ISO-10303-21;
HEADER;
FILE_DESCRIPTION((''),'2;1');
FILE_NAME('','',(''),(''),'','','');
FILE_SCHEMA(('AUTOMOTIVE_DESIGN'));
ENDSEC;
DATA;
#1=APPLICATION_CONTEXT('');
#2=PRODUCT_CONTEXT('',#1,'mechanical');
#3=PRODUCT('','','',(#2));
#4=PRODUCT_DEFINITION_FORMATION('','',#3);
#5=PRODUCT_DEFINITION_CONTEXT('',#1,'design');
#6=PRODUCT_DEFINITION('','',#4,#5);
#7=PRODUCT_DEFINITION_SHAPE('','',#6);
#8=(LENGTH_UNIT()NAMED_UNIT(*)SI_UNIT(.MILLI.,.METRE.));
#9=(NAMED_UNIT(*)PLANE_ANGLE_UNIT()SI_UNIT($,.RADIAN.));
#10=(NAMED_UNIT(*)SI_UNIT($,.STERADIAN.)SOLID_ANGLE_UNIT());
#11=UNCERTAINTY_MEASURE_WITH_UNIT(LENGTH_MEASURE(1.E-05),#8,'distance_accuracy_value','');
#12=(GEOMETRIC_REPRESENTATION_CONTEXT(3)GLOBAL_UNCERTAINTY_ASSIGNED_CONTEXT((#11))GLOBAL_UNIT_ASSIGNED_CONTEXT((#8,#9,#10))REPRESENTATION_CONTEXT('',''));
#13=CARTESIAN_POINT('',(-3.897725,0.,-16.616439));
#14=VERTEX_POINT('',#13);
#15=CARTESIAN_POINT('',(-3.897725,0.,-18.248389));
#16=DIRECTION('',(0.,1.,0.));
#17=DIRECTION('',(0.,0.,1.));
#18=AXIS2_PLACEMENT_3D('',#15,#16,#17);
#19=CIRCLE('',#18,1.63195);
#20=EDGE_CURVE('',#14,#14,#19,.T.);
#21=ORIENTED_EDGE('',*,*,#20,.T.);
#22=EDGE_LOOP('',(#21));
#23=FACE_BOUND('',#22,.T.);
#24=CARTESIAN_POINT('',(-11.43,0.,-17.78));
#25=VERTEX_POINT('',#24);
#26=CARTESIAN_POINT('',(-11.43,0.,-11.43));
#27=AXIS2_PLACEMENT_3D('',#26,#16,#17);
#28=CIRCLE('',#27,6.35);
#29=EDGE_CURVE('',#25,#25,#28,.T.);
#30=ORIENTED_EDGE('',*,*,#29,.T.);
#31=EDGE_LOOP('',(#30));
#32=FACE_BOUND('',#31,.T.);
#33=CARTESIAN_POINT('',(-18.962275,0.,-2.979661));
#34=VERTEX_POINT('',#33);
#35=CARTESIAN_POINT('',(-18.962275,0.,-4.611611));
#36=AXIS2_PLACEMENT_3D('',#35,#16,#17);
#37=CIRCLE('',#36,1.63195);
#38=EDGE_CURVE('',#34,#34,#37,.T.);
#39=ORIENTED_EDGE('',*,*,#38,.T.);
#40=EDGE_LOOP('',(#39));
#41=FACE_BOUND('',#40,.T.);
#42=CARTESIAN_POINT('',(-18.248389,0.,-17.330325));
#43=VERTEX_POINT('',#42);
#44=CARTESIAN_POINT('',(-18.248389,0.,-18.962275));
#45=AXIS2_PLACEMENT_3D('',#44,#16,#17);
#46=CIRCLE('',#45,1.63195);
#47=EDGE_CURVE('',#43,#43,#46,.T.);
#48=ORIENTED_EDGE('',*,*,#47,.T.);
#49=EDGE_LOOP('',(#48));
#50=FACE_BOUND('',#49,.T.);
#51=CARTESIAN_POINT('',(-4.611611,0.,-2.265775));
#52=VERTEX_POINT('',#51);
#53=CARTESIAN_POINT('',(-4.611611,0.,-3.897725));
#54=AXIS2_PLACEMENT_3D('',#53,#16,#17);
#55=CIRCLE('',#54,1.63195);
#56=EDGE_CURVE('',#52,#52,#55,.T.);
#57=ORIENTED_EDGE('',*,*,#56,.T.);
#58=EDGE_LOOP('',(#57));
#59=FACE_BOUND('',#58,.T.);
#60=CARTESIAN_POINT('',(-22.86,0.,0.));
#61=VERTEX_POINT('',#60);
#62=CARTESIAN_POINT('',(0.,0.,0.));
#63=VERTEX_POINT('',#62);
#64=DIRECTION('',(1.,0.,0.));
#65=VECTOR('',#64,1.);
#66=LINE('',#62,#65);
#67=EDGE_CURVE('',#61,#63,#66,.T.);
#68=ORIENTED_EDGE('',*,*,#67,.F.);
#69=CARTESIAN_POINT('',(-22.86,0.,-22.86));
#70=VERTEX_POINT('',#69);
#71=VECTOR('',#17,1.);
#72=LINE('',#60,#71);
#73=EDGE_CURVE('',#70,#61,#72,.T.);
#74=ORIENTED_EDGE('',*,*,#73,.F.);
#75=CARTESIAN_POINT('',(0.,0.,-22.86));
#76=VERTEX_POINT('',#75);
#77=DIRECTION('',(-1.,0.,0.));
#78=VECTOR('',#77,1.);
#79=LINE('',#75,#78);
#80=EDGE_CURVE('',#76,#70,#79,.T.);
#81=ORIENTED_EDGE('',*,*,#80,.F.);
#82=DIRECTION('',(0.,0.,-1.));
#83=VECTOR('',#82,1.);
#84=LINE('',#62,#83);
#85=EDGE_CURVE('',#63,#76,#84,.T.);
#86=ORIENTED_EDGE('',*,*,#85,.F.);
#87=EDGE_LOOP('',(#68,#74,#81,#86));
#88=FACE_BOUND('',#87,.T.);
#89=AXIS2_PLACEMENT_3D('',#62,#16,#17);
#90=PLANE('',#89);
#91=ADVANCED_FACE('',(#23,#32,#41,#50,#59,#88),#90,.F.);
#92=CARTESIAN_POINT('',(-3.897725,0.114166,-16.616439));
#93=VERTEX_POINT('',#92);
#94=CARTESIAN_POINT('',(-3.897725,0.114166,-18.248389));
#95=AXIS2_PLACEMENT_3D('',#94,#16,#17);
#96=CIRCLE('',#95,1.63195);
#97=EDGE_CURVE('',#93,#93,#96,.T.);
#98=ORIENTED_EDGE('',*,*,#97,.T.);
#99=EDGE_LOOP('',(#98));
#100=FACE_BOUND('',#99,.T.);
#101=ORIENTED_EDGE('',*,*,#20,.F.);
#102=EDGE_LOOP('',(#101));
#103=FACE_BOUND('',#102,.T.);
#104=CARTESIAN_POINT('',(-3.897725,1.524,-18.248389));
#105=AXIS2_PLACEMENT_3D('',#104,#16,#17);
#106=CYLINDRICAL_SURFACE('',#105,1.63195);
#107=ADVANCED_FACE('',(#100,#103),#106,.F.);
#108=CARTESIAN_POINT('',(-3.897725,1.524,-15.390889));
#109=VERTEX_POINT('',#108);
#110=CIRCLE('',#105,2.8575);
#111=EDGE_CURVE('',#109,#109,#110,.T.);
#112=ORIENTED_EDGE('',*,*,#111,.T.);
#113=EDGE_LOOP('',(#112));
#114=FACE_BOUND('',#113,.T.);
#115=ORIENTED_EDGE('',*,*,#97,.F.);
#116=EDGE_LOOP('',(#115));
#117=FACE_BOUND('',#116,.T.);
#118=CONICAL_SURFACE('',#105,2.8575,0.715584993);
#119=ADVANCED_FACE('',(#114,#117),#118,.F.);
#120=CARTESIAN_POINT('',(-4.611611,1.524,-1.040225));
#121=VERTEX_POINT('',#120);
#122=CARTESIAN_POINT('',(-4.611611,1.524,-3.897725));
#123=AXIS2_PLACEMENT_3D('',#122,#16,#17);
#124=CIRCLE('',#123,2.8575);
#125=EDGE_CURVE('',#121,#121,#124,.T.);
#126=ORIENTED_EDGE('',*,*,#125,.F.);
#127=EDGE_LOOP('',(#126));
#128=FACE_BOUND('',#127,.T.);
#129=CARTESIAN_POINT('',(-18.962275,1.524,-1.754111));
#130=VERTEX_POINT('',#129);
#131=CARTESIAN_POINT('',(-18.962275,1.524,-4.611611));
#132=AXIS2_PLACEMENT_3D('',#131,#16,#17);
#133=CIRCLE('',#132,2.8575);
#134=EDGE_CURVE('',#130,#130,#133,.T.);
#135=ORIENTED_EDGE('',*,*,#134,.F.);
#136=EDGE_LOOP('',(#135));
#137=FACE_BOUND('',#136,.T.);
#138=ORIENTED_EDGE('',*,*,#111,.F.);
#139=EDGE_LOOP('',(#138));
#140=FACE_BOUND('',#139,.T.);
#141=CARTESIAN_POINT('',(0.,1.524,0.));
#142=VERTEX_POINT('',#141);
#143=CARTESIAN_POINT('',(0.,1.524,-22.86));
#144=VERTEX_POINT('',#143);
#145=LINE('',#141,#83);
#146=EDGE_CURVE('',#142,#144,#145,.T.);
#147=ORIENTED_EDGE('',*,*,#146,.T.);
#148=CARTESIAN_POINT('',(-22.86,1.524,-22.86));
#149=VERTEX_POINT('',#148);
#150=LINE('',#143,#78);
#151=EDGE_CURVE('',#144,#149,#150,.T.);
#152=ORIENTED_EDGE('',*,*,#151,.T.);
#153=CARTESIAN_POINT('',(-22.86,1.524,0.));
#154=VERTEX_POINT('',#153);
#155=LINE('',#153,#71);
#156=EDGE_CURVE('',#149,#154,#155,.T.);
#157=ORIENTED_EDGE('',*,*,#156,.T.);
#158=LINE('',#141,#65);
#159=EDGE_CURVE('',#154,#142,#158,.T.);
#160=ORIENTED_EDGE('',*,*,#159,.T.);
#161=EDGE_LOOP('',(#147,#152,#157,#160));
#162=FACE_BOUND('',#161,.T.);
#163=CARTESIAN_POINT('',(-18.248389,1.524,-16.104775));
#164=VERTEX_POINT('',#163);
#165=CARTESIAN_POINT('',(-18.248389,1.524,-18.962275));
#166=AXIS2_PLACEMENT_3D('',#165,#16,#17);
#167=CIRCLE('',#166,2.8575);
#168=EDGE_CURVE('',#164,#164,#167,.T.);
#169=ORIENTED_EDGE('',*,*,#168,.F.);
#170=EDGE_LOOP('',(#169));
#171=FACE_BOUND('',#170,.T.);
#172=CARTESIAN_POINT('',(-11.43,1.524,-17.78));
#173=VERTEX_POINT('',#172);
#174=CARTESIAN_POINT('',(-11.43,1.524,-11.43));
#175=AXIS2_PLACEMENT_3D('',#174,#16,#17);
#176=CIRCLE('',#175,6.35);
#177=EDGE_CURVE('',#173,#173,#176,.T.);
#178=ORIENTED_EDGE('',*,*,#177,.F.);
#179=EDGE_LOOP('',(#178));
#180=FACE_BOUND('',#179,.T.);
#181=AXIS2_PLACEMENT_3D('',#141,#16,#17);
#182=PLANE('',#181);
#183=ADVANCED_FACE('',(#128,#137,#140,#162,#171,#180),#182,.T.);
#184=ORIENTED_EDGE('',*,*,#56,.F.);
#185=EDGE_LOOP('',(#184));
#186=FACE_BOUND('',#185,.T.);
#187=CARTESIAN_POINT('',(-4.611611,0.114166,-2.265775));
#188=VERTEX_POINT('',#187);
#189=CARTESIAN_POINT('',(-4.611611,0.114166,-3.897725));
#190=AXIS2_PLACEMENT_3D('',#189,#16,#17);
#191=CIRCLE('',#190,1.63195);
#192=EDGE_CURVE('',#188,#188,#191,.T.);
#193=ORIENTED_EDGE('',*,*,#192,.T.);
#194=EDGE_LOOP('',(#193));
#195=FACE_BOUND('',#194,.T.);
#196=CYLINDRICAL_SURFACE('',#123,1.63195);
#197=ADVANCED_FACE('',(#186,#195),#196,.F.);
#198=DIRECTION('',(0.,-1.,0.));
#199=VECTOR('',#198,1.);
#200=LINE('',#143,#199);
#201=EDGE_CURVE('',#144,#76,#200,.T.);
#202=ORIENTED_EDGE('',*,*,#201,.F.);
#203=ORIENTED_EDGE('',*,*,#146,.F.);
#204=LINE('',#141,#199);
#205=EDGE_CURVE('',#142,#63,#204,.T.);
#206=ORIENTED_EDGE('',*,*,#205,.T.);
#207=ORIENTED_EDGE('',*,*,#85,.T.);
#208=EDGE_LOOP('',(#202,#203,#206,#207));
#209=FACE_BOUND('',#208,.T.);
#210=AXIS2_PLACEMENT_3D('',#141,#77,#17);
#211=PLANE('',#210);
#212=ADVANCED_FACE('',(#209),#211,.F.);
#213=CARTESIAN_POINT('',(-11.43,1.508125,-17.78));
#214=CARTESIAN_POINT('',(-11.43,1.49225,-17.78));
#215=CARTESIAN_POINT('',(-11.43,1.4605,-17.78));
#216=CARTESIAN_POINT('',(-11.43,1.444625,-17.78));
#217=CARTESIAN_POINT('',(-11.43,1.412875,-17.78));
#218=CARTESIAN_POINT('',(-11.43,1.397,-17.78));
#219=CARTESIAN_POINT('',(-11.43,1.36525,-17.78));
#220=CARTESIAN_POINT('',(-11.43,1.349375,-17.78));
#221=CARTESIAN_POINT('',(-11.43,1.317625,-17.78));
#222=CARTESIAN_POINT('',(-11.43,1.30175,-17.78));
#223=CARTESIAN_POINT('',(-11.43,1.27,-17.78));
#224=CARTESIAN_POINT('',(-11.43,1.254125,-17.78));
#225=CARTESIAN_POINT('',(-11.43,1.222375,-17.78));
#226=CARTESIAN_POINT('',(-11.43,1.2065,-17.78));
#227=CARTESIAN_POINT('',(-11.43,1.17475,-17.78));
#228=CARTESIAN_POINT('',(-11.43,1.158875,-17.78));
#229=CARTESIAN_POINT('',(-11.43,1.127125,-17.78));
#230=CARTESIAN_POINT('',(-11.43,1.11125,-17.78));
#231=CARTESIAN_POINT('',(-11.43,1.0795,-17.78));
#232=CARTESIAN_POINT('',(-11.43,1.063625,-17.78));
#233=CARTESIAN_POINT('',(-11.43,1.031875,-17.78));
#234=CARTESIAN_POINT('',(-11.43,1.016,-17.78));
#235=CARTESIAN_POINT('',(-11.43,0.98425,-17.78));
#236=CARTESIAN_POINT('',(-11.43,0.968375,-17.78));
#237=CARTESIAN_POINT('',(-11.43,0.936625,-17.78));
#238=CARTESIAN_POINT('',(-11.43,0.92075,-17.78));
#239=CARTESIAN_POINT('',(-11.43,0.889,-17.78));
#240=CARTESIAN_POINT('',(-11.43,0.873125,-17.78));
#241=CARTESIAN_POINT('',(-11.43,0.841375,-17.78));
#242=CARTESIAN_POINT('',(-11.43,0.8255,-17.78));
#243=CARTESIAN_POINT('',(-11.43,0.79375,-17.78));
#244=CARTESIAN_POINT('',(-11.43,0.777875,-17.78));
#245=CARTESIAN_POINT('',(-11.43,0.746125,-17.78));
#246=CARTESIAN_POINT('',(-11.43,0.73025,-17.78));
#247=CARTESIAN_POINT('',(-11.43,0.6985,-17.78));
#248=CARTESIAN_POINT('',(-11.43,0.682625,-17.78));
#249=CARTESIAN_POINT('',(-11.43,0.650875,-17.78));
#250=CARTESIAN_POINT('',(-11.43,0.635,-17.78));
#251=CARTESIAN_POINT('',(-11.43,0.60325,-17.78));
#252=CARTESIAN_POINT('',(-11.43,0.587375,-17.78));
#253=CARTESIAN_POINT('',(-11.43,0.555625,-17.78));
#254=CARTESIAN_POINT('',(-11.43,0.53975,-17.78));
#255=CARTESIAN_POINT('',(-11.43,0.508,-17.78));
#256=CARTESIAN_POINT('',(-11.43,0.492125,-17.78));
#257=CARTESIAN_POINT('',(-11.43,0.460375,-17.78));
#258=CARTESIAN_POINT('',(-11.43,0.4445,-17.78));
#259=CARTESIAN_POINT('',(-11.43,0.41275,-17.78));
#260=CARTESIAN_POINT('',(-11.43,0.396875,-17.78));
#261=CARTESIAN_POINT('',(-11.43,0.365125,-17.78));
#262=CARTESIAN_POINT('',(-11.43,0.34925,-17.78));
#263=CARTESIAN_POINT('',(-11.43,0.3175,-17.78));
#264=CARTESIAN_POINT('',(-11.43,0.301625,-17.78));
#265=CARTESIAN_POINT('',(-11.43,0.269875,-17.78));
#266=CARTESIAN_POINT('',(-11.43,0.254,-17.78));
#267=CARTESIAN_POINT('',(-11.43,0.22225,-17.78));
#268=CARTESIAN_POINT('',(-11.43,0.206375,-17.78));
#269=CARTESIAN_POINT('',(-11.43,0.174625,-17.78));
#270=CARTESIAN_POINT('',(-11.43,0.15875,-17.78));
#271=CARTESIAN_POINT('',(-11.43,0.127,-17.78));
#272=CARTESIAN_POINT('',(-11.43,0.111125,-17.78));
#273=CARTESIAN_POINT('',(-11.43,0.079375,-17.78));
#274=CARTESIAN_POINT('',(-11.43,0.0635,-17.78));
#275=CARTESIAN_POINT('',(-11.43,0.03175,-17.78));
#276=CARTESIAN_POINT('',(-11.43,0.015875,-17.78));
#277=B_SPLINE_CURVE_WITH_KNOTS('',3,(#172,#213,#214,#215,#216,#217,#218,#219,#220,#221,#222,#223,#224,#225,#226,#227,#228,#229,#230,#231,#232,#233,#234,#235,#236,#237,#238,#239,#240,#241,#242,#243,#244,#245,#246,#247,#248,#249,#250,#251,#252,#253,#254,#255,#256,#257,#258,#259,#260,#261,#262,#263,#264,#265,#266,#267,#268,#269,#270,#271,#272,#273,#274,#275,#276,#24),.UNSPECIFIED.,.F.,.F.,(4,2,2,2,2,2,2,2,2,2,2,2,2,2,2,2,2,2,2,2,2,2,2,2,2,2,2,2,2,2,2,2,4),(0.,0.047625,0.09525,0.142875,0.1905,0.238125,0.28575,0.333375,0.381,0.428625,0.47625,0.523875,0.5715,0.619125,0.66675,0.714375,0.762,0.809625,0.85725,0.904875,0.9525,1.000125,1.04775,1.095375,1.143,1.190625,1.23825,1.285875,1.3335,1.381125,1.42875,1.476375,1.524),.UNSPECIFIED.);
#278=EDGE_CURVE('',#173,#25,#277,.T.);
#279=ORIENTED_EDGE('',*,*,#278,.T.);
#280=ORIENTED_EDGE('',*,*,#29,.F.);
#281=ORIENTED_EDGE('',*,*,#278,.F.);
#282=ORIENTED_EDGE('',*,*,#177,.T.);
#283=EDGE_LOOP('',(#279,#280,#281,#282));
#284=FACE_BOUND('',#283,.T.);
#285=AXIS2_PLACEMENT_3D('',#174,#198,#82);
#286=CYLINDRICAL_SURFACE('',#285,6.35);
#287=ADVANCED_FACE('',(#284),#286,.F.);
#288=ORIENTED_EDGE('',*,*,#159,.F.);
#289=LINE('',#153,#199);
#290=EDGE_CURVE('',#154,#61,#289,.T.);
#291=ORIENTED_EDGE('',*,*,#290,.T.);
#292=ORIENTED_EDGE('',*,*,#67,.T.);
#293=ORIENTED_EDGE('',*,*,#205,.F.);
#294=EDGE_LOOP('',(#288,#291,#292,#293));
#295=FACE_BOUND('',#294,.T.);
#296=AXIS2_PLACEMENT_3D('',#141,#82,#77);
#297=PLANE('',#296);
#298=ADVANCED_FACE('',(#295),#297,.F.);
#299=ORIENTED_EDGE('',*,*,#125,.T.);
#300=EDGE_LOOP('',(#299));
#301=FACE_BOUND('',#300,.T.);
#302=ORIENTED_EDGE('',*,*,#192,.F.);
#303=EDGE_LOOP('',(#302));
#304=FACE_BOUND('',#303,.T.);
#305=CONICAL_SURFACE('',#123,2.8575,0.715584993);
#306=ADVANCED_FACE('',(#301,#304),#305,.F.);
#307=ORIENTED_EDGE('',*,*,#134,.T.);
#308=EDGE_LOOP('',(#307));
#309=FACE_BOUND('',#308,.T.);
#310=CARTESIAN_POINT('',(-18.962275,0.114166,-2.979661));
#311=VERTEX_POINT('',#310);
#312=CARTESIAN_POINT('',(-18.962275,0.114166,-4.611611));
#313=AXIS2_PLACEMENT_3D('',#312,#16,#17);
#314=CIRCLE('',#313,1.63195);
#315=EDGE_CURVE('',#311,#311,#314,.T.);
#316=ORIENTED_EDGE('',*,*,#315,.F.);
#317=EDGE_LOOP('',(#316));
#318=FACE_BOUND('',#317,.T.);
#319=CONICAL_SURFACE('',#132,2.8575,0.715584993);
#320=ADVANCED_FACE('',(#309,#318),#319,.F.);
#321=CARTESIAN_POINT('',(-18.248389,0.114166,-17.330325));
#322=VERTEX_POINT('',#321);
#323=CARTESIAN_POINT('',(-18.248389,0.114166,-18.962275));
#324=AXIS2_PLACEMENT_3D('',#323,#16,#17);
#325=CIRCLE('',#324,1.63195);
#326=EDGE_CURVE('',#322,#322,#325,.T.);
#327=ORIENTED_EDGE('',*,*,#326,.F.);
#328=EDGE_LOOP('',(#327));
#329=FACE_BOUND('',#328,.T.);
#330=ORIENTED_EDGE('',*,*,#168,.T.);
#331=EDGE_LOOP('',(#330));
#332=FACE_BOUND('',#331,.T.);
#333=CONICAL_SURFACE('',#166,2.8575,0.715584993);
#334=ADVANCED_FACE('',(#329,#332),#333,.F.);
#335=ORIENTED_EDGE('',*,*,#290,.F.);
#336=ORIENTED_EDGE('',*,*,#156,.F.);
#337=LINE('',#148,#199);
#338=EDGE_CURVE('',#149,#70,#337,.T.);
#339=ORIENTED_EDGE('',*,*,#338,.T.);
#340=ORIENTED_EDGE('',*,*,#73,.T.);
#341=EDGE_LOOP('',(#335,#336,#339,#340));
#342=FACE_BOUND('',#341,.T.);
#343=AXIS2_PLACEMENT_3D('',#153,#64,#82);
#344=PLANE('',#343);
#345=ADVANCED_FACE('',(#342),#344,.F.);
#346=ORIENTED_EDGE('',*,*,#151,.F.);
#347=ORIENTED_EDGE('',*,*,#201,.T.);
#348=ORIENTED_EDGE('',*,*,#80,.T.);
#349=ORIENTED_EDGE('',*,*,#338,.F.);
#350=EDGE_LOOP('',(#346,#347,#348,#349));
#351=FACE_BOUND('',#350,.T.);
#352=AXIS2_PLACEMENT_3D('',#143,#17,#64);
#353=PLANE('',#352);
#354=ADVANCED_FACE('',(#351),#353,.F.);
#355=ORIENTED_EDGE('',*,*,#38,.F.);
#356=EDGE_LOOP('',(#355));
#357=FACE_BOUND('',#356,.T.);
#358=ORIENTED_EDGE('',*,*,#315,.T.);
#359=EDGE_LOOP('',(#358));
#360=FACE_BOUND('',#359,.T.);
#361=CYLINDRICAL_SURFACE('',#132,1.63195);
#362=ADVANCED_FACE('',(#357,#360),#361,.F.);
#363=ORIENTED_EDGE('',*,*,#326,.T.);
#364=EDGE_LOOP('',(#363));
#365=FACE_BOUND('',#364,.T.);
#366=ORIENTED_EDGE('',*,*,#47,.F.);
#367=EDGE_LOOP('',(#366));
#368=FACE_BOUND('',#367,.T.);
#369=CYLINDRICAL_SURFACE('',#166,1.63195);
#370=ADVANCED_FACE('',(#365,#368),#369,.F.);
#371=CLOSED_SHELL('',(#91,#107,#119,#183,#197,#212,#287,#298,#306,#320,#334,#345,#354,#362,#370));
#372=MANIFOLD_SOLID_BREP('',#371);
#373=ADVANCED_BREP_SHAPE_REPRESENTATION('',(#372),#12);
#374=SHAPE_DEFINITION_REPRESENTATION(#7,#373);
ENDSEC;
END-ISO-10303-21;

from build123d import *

# Parameters (mm, degrees)
SKETCH1_W                                     = 22.86
SKETCH1_H                                     = 22.86
SKETCH1_R                                     = 6.35
BOSS_EXTRUDE1_DEPTH                           = 1.524
CSK_FOR_4_FLAT_HEAD_MACHINE_SCREW1_AT_2_COUNT = 2
CSK_FOR_4_FLAT_HEAD_MACHINE_SCREW1_AT_2_PITCH = 14.368409794
CSK_FOR_4_FLAT_HEAD_MACHINE_SCREW1_AT_3_COUNT = 2
CSK_FOR_4_FLAT_HEAD_MACHINE_SCREW1_AT_3_PITCH = 20.32
CSK_FOR_4_FLAT_HEAD_MACHINE_SCREW1_AT_4_COUNT = 2
CSK_FOR_4_FLAT_HEAD_MACHINE_SCREW1_AT_4_PITCH = 14.368409794


with BuildPart() as part:
    # Sketch1 → Boss-Extrude1 (new body)
    with BuildSketch(Plane(origin=(0, 0, 0), x_dir=(1, 0, 0), z_dir=(0, 1, 0))):
        with Locations((-11.43, 11.43)):
            Rectangle(SKETCH1_W, SKETCH1_H)
        with Locations(Location((-11.43, 11.43, 0), (0, 0, 90))):
            Circle(SKETCH1_R, mode=Mode.SUBTRACT)
    extrude(amount=BOSS_EXTRUDE1_DEPTH)

    # Sketch3 → CSK for #4 Flat Head Machine Screw1 (revolve, cut)
    with BuildSketch(Plane(origin=(-3.897724655, 1.524, -18.248388969), x_dir=(0, 0, 1), z_dir=(1, 0, 0))):
        Polygon((0, 0), (0, 1.524), (1.63195, 1.524), (1.63195, 1.409834001), (2.8575, 0), align=None)
    csk_for_4_flat_head_machine_screw1 = revolve(axis=Axis((-3.897724655, 7.874, -18.248388969), (0, -1, 0)), mode=Mode.SUBTRACT)

    # CSK for #4 Flat Head Machine Screw1 at 2: CSK for #4 Flat Head Machine Screw1 ×2
    with Locations(*[Vector(-0.049684438764001596, 0, 0.99876496561739) * (i * CSK_FOR_4_FLAT_HEAD_MACHINE_SCREW1_AT_2_PITCH) for i in range(1, CSK_FOR_4_FLAT_HEAD_MACHINE_SCREW1_AT_2_COUNT)]):
        add(csk_for_4_flat_head_machine_screw1, mode=Mode.SUBTRACT)

    # CSK for #4 Flat Head Machine Screw1 at 3: CSK for #4 Flat Head Machine Screw1 ×2
    with Locations(*[Vector(-0.7413656835690785, 0, 0.6711012764301324) * (i * CSK_FOR_4_FLAT_HEAD_MACHINE_SCREW1_AT_3_PITCH) for i in range(1, CSK_FOR_4_FLAT_HEAD_MACHINE_SCREW1_AT_3_COUNT)]):
        add(csk_for_4_flat_head_machine_screw1, mode=Mode.SUBTRACT)

    # CSK for #4 Flat Head Machine Screw1 at 4: CSK for #4 Flat Head Machine Screw1 ×2
    with Locations(*[Vector(-0.99876496561739, 0, -0.04968443876400101) * (i * CSK_FOR_4_FLAT_HEAD_MACHINE_SCREW1_AT_4_PITCH) for i in range(1, CSK_FOR_4_FLAT_HEAD_MACHINE_SCREW1_AT_4_COUNT)]):
        add(csk_for_4_flat_head_machine_screw1, mode=Mode.SUBTRACT)


solid = part.part
